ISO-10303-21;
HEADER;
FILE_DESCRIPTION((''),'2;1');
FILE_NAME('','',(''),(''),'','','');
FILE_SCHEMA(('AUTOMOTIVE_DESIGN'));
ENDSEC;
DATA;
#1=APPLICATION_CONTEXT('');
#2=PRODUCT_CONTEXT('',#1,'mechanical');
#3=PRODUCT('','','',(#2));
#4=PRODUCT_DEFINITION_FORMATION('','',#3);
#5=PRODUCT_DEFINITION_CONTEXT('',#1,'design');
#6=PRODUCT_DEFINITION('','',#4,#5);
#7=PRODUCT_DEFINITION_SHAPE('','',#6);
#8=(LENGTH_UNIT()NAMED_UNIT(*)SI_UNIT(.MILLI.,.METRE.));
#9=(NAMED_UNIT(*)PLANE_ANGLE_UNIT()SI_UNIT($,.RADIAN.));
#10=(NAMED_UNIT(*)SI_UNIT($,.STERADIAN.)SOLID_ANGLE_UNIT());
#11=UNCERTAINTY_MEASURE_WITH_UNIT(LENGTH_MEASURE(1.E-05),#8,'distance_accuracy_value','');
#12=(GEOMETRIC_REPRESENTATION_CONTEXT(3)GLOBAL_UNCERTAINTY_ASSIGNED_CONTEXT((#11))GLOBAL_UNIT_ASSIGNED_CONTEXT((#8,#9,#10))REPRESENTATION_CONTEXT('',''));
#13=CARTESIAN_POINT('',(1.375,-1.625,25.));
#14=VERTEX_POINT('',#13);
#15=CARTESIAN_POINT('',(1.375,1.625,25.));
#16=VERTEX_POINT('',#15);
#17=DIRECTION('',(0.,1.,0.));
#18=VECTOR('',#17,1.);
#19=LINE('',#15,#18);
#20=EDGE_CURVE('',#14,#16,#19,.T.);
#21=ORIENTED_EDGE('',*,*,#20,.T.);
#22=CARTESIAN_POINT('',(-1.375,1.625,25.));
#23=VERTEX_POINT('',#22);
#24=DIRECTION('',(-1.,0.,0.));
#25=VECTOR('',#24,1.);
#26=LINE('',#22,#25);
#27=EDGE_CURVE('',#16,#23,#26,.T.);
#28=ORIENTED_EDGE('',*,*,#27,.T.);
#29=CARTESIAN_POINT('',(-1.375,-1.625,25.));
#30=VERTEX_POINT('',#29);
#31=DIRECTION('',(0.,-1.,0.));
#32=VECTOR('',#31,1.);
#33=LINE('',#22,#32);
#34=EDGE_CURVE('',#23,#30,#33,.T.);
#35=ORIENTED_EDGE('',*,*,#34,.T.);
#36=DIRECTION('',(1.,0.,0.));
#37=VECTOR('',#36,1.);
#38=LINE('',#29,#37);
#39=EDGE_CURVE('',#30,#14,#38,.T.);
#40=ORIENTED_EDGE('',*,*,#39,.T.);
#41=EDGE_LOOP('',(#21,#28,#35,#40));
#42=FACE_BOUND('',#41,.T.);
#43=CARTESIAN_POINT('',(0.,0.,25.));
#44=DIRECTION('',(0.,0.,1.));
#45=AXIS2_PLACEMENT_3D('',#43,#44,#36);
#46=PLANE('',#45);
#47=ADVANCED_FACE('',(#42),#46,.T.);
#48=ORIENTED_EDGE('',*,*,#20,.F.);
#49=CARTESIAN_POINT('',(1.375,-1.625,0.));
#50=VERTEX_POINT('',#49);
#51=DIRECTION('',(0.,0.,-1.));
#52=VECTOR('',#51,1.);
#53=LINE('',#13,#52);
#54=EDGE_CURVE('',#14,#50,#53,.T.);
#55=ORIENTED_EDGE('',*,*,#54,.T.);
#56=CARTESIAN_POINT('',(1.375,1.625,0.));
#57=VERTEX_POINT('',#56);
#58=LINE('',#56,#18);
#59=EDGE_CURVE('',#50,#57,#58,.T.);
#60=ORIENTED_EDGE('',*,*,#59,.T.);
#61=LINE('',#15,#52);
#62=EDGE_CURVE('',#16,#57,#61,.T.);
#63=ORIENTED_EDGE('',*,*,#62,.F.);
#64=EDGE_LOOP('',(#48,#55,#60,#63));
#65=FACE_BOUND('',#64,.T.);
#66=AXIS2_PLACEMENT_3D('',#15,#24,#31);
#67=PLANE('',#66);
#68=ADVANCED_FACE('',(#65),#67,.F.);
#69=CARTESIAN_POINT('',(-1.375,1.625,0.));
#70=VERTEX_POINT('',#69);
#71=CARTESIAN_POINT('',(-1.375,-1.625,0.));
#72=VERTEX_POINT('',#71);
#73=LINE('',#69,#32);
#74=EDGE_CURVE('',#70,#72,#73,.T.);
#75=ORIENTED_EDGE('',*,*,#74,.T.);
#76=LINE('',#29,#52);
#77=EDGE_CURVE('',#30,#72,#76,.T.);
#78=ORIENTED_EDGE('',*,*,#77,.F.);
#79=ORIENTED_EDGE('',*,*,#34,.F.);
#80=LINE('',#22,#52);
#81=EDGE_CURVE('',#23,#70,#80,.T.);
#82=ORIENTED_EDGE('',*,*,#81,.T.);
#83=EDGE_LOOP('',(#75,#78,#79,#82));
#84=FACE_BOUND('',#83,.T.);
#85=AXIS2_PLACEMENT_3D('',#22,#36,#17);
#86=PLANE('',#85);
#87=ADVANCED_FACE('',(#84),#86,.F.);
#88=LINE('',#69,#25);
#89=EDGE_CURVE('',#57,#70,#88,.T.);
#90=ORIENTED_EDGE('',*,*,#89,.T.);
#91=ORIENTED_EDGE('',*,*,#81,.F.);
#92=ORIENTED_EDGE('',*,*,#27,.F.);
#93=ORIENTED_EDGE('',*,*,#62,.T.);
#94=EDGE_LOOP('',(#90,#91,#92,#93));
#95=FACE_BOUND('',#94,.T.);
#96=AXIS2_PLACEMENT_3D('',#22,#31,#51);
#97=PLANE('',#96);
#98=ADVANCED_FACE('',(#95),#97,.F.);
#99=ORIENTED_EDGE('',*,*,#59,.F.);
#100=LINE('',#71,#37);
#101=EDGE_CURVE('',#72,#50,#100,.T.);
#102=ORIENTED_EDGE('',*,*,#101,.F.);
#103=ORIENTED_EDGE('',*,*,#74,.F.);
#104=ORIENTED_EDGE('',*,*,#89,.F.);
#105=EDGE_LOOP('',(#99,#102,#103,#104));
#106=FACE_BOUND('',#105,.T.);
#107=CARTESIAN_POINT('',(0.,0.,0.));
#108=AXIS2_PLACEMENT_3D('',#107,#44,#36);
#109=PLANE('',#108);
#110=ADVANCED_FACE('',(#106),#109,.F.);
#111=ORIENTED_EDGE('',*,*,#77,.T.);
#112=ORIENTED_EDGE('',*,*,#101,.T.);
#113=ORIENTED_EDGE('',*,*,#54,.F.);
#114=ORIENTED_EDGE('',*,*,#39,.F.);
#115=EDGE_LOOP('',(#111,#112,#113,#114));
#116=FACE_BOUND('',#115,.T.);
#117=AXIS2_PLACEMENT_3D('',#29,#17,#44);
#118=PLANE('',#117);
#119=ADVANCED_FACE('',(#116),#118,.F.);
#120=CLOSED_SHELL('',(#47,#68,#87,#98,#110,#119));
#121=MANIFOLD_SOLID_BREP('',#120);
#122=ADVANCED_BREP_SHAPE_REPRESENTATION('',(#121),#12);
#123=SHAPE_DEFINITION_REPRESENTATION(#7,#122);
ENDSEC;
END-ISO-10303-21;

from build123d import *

# Parameters (mm, degrees)
SKETCH1_W           = 2.75
SKETCH1_H           = 3.25
BOSS_EXTRUDE1_DEPTH = 25


with BuildPart() as part:
    # Sketch1 → Boss-Extrude1 (new body)
    with BuildSketch(Plane.XY):
        Rectangle(SKETCH1_W, SKETCH1_H)
    extrude(amount=BOSS_EXTRUDE1_DEPTH)


solid = part.part
